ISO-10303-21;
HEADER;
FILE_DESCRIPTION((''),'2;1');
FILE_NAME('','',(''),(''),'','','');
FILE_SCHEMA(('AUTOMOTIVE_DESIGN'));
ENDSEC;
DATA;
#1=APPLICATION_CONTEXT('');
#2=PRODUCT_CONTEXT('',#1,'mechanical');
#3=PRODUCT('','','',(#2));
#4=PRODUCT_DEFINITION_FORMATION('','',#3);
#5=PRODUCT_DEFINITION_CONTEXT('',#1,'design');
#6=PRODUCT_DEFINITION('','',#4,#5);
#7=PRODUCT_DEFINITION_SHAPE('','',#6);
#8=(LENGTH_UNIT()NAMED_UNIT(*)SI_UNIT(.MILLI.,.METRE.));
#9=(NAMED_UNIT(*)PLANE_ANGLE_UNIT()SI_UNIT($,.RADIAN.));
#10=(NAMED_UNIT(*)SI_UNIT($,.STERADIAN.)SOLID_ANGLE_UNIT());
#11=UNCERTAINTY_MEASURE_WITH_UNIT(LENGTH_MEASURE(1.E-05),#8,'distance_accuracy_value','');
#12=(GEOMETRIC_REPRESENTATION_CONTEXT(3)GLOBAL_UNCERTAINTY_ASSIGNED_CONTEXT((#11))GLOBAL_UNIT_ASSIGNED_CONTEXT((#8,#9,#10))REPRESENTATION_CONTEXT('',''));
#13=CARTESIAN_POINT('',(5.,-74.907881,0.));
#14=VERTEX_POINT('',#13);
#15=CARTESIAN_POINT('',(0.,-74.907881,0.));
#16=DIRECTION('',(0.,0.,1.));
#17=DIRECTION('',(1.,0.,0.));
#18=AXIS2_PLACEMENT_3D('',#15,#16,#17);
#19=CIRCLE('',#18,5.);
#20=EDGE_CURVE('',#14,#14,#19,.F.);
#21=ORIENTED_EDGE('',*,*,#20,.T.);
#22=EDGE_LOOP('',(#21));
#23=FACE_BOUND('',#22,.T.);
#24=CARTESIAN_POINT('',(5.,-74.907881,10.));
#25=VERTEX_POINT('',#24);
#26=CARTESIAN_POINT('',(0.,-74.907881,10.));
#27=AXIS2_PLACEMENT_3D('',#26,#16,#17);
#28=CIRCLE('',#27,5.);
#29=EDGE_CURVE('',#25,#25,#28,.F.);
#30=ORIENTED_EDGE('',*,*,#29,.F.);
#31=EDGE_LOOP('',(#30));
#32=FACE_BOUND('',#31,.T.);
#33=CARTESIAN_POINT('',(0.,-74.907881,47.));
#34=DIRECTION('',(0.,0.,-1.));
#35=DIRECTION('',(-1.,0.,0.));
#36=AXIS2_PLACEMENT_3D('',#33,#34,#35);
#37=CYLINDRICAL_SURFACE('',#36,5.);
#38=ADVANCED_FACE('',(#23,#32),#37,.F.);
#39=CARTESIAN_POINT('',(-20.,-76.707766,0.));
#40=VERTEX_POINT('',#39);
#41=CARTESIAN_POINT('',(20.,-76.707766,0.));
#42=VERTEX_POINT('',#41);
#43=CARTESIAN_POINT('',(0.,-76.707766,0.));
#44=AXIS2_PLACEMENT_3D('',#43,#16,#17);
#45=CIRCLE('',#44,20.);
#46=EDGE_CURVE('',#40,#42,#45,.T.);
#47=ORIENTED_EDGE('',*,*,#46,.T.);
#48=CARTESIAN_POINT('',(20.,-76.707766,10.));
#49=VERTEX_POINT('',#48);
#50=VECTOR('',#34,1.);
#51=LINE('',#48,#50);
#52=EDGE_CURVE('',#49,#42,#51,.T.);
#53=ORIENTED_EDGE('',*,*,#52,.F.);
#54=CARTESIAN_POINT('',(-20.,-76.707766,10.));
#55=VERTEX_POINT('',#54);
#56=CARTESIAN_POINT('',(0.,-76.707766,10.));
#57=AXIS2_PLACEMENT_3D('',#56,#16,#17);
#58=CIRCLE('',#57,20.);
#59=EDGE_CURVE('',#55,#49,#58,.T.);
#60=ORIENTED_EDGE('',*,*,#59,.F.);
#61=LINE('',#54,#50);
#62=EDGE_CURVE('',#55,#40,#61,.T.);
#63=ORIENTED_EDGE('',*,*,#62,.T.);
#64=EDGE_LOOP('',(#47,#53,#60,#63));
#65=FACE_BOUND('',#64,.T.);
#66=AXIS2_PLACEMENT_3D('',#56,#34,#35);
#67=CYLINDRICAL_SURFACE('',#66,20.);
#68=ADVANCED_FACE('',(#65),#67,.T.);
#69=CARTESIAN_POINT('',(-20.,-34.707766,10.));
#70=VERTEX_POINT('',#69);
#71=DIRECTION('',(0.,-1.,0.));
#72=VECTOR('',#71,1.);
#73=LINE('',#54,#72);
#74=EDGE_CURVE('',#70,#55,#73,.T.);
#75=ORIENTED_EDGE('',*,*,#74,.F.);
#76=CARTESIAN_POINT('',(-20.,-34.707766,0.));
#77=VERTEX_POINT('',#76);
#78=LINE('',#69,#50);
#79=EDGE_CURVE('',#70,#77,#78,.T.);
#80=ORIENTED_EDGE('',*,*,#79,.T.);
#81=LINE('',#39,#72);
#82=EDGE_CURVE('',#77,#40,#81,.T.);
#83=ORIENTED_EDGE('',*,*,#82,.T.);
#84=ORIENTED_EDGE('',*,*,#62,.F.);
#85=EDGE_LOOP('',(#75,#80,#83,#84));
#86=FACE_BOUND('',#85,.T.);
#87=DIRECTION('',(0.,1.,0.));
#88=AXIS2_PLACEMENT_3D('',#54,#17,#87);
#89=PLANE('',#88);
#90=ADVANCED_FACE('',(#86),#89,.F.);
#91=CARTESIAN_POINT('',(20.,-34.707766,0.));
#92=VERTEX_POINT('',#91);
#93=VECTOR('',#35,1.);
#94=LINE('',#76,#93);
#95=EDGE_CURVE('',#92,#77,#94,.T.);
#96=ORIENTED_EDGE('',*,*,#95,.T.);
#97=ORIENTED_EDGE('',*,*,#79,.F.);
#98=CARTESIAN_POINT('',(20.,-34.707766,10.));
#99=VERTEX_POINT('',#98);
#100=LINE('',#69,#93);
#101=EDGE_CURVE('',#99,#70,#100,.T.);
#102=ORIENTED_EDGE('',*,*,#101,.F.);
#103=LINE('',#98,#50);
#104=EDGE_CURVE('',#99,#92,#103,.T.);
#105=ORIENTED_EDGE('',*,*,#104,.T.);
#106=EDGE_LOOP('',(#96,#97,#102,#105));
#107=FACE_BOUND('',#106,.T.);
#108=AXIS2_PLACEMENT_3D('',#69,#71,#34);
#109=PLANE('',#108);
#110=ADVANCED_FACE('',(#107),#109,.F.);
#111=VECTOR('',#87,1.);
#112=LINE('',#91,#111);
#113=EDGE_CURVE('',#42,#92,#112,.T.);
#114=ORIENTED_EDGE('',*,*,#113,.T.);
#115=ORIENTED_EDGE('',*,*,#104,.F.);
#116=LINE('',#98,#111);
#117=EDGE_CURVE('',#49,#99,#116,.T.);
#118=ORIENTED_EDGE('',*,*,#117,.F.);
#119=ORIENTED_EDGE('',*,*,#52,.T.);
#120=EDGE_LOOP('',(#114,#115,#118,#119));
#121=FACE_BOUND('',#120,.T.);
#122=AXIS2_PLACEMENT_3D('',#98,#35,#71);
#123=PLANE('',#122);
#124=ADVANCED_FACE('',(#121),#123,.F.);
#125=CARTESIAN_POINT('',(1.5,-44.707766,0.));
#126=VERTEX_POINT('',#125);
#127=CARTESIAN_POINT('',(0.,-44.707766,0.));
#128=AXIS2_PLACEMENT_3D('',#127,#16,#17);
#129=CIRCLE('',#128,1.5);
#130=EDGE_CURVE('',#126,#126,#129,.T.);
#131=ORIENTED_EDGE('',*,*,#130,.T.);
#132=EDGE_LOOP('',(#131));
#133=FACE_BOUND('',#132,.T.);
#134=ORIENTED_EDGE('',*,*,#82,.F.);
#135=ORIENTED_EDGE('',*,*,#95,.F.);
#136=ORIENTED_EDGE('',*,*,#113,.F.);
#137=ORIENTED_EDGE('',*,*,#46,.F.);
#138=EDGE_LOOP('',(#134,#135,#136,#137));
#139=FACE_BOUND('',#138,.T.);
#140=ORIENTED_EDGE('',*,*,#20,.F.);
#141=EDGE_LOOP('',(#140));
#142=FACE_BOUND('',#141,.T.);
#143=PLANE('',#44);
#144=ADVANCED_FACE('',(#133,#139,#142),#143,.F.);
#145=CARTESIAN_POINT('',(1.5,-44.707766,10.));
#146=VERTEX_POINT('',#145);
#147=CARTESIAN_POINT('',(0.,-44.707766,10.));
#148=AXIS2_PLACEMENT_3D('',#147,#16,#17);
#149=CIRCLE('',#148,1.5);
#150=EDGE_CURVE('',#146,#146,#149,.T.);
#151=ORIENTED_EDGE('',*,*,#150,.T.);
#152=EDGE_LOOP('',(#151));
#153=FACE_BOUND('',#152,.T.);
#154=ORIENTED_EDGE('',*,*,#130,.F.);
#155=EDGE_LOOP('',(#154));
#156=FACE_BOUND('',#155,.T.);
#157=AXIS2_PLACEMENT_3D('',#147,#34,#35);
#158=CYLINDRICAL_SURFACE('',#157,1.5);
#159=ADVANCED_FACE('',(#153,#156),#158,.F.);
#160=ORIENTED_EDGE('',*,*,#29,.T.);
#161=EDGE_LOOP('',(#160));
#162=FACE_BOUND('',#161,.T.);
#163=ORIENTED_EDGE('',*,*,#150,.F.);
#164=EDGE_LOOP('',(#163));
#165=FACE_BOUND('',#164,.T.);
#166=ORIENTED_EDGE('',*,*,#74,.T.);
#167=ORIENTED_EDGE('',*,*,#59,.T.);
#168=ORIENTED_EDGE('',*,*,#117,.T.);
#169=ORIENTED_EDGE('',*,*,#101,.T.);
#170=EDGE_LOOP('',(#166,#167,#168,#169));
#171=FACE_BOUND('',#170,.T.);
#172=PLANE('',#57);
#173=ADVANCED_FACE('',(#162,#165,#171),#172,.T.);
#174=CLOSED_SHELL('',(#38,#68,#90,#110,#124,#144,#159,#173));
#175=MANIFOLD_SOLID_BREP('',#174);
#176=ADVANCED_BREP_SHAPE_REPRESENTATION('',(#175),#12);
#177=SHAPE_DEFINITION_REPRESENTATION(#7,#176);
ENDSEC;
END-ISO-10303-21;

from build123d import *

# Parameters (mm, degrees)
SKETCH1_R               = 1.5
BOSS_EXTRUDE1_DEPTH     = 10
CUT_EXTRUDE1_DEPTH      = 37
CUT_EXTRUDE1_DEPTH_BACK = 24
SKETCH2_R               = 5
CUT_EXTRUDE2_DEPTH      = 27
CUT_EXTRUDE2_DEPTH_BACK = 19
SKETCH3_W               = 102.676723454
SKETCH3_H               = 43.006638415


with BuildPart() as part:
    # Sketch1 → Boss-Extrude1 (new body)
    with BuildSketch(Plane.XY):
        with BuildLine():
            Line((-20, -76.707766284), (-20, -58.504148974))
            Line((-20, -58.504148974), (-120, -58.504148974))
            Line((-120, -58.504148974), (-120, -33.504148974))
            Line((-120, -33.504148974), (-20, -34.707766284))
            Line((-20, -34.707766284), (20, -34.707766284))
            Line((20, -34.707766284), (20, -76.707766284))
            ThreePointArc((20, -76.707766284), (0, -96.707766284), (-20, -76.707766284))
        make_face()
        with Locations((0, -44.707766284)):
            Circle(SKETCH1_R, mode=Mode.SUBTRACT)
        with Locations((-100, -43.745596757)):
            Circle(SKETCH1_R, mode=Mode.SUBTRACT)
    extrude(amount=BOSS_EXTRUDE1_DEPTH)

    # Sketch2 → Cut-Extrude1 (cut, two sides: drawn at the far end of the back side and taken through both)
    with BuildSketch(Plane.XY.offset(10).offset(-CUT_EXTRUDE1_DEPTH_BACK)):
        with Locations((0, -74.90788056)):
            Circle(SKETCH2_R)
    extrude(amount=CUT_EXTRUDE1_DEPTH + CUT_EXTRUDE1_DEPTH_BACK, mode=Mode.SUBTRACT)

    # Sketch3 → Cut-Extrude2 (cut, two sides: drawn at the far end of the back side and taken through both)
    with BuildSketch(Plane.XY.offset(-CUT_EXTRUDE2_DEPTH_BACK)):
        with Locations((-71.338361727, -50.195990653)):
            Rectangle(SKETCH3_W, SKETCH3_H)
    extrude(amount=CUT_EXTRUDE2_DEPTH + CUT_EXTRUDE2_DEPTH_BACK, mode=Mode.SUBTRACT)


solid = part.part
